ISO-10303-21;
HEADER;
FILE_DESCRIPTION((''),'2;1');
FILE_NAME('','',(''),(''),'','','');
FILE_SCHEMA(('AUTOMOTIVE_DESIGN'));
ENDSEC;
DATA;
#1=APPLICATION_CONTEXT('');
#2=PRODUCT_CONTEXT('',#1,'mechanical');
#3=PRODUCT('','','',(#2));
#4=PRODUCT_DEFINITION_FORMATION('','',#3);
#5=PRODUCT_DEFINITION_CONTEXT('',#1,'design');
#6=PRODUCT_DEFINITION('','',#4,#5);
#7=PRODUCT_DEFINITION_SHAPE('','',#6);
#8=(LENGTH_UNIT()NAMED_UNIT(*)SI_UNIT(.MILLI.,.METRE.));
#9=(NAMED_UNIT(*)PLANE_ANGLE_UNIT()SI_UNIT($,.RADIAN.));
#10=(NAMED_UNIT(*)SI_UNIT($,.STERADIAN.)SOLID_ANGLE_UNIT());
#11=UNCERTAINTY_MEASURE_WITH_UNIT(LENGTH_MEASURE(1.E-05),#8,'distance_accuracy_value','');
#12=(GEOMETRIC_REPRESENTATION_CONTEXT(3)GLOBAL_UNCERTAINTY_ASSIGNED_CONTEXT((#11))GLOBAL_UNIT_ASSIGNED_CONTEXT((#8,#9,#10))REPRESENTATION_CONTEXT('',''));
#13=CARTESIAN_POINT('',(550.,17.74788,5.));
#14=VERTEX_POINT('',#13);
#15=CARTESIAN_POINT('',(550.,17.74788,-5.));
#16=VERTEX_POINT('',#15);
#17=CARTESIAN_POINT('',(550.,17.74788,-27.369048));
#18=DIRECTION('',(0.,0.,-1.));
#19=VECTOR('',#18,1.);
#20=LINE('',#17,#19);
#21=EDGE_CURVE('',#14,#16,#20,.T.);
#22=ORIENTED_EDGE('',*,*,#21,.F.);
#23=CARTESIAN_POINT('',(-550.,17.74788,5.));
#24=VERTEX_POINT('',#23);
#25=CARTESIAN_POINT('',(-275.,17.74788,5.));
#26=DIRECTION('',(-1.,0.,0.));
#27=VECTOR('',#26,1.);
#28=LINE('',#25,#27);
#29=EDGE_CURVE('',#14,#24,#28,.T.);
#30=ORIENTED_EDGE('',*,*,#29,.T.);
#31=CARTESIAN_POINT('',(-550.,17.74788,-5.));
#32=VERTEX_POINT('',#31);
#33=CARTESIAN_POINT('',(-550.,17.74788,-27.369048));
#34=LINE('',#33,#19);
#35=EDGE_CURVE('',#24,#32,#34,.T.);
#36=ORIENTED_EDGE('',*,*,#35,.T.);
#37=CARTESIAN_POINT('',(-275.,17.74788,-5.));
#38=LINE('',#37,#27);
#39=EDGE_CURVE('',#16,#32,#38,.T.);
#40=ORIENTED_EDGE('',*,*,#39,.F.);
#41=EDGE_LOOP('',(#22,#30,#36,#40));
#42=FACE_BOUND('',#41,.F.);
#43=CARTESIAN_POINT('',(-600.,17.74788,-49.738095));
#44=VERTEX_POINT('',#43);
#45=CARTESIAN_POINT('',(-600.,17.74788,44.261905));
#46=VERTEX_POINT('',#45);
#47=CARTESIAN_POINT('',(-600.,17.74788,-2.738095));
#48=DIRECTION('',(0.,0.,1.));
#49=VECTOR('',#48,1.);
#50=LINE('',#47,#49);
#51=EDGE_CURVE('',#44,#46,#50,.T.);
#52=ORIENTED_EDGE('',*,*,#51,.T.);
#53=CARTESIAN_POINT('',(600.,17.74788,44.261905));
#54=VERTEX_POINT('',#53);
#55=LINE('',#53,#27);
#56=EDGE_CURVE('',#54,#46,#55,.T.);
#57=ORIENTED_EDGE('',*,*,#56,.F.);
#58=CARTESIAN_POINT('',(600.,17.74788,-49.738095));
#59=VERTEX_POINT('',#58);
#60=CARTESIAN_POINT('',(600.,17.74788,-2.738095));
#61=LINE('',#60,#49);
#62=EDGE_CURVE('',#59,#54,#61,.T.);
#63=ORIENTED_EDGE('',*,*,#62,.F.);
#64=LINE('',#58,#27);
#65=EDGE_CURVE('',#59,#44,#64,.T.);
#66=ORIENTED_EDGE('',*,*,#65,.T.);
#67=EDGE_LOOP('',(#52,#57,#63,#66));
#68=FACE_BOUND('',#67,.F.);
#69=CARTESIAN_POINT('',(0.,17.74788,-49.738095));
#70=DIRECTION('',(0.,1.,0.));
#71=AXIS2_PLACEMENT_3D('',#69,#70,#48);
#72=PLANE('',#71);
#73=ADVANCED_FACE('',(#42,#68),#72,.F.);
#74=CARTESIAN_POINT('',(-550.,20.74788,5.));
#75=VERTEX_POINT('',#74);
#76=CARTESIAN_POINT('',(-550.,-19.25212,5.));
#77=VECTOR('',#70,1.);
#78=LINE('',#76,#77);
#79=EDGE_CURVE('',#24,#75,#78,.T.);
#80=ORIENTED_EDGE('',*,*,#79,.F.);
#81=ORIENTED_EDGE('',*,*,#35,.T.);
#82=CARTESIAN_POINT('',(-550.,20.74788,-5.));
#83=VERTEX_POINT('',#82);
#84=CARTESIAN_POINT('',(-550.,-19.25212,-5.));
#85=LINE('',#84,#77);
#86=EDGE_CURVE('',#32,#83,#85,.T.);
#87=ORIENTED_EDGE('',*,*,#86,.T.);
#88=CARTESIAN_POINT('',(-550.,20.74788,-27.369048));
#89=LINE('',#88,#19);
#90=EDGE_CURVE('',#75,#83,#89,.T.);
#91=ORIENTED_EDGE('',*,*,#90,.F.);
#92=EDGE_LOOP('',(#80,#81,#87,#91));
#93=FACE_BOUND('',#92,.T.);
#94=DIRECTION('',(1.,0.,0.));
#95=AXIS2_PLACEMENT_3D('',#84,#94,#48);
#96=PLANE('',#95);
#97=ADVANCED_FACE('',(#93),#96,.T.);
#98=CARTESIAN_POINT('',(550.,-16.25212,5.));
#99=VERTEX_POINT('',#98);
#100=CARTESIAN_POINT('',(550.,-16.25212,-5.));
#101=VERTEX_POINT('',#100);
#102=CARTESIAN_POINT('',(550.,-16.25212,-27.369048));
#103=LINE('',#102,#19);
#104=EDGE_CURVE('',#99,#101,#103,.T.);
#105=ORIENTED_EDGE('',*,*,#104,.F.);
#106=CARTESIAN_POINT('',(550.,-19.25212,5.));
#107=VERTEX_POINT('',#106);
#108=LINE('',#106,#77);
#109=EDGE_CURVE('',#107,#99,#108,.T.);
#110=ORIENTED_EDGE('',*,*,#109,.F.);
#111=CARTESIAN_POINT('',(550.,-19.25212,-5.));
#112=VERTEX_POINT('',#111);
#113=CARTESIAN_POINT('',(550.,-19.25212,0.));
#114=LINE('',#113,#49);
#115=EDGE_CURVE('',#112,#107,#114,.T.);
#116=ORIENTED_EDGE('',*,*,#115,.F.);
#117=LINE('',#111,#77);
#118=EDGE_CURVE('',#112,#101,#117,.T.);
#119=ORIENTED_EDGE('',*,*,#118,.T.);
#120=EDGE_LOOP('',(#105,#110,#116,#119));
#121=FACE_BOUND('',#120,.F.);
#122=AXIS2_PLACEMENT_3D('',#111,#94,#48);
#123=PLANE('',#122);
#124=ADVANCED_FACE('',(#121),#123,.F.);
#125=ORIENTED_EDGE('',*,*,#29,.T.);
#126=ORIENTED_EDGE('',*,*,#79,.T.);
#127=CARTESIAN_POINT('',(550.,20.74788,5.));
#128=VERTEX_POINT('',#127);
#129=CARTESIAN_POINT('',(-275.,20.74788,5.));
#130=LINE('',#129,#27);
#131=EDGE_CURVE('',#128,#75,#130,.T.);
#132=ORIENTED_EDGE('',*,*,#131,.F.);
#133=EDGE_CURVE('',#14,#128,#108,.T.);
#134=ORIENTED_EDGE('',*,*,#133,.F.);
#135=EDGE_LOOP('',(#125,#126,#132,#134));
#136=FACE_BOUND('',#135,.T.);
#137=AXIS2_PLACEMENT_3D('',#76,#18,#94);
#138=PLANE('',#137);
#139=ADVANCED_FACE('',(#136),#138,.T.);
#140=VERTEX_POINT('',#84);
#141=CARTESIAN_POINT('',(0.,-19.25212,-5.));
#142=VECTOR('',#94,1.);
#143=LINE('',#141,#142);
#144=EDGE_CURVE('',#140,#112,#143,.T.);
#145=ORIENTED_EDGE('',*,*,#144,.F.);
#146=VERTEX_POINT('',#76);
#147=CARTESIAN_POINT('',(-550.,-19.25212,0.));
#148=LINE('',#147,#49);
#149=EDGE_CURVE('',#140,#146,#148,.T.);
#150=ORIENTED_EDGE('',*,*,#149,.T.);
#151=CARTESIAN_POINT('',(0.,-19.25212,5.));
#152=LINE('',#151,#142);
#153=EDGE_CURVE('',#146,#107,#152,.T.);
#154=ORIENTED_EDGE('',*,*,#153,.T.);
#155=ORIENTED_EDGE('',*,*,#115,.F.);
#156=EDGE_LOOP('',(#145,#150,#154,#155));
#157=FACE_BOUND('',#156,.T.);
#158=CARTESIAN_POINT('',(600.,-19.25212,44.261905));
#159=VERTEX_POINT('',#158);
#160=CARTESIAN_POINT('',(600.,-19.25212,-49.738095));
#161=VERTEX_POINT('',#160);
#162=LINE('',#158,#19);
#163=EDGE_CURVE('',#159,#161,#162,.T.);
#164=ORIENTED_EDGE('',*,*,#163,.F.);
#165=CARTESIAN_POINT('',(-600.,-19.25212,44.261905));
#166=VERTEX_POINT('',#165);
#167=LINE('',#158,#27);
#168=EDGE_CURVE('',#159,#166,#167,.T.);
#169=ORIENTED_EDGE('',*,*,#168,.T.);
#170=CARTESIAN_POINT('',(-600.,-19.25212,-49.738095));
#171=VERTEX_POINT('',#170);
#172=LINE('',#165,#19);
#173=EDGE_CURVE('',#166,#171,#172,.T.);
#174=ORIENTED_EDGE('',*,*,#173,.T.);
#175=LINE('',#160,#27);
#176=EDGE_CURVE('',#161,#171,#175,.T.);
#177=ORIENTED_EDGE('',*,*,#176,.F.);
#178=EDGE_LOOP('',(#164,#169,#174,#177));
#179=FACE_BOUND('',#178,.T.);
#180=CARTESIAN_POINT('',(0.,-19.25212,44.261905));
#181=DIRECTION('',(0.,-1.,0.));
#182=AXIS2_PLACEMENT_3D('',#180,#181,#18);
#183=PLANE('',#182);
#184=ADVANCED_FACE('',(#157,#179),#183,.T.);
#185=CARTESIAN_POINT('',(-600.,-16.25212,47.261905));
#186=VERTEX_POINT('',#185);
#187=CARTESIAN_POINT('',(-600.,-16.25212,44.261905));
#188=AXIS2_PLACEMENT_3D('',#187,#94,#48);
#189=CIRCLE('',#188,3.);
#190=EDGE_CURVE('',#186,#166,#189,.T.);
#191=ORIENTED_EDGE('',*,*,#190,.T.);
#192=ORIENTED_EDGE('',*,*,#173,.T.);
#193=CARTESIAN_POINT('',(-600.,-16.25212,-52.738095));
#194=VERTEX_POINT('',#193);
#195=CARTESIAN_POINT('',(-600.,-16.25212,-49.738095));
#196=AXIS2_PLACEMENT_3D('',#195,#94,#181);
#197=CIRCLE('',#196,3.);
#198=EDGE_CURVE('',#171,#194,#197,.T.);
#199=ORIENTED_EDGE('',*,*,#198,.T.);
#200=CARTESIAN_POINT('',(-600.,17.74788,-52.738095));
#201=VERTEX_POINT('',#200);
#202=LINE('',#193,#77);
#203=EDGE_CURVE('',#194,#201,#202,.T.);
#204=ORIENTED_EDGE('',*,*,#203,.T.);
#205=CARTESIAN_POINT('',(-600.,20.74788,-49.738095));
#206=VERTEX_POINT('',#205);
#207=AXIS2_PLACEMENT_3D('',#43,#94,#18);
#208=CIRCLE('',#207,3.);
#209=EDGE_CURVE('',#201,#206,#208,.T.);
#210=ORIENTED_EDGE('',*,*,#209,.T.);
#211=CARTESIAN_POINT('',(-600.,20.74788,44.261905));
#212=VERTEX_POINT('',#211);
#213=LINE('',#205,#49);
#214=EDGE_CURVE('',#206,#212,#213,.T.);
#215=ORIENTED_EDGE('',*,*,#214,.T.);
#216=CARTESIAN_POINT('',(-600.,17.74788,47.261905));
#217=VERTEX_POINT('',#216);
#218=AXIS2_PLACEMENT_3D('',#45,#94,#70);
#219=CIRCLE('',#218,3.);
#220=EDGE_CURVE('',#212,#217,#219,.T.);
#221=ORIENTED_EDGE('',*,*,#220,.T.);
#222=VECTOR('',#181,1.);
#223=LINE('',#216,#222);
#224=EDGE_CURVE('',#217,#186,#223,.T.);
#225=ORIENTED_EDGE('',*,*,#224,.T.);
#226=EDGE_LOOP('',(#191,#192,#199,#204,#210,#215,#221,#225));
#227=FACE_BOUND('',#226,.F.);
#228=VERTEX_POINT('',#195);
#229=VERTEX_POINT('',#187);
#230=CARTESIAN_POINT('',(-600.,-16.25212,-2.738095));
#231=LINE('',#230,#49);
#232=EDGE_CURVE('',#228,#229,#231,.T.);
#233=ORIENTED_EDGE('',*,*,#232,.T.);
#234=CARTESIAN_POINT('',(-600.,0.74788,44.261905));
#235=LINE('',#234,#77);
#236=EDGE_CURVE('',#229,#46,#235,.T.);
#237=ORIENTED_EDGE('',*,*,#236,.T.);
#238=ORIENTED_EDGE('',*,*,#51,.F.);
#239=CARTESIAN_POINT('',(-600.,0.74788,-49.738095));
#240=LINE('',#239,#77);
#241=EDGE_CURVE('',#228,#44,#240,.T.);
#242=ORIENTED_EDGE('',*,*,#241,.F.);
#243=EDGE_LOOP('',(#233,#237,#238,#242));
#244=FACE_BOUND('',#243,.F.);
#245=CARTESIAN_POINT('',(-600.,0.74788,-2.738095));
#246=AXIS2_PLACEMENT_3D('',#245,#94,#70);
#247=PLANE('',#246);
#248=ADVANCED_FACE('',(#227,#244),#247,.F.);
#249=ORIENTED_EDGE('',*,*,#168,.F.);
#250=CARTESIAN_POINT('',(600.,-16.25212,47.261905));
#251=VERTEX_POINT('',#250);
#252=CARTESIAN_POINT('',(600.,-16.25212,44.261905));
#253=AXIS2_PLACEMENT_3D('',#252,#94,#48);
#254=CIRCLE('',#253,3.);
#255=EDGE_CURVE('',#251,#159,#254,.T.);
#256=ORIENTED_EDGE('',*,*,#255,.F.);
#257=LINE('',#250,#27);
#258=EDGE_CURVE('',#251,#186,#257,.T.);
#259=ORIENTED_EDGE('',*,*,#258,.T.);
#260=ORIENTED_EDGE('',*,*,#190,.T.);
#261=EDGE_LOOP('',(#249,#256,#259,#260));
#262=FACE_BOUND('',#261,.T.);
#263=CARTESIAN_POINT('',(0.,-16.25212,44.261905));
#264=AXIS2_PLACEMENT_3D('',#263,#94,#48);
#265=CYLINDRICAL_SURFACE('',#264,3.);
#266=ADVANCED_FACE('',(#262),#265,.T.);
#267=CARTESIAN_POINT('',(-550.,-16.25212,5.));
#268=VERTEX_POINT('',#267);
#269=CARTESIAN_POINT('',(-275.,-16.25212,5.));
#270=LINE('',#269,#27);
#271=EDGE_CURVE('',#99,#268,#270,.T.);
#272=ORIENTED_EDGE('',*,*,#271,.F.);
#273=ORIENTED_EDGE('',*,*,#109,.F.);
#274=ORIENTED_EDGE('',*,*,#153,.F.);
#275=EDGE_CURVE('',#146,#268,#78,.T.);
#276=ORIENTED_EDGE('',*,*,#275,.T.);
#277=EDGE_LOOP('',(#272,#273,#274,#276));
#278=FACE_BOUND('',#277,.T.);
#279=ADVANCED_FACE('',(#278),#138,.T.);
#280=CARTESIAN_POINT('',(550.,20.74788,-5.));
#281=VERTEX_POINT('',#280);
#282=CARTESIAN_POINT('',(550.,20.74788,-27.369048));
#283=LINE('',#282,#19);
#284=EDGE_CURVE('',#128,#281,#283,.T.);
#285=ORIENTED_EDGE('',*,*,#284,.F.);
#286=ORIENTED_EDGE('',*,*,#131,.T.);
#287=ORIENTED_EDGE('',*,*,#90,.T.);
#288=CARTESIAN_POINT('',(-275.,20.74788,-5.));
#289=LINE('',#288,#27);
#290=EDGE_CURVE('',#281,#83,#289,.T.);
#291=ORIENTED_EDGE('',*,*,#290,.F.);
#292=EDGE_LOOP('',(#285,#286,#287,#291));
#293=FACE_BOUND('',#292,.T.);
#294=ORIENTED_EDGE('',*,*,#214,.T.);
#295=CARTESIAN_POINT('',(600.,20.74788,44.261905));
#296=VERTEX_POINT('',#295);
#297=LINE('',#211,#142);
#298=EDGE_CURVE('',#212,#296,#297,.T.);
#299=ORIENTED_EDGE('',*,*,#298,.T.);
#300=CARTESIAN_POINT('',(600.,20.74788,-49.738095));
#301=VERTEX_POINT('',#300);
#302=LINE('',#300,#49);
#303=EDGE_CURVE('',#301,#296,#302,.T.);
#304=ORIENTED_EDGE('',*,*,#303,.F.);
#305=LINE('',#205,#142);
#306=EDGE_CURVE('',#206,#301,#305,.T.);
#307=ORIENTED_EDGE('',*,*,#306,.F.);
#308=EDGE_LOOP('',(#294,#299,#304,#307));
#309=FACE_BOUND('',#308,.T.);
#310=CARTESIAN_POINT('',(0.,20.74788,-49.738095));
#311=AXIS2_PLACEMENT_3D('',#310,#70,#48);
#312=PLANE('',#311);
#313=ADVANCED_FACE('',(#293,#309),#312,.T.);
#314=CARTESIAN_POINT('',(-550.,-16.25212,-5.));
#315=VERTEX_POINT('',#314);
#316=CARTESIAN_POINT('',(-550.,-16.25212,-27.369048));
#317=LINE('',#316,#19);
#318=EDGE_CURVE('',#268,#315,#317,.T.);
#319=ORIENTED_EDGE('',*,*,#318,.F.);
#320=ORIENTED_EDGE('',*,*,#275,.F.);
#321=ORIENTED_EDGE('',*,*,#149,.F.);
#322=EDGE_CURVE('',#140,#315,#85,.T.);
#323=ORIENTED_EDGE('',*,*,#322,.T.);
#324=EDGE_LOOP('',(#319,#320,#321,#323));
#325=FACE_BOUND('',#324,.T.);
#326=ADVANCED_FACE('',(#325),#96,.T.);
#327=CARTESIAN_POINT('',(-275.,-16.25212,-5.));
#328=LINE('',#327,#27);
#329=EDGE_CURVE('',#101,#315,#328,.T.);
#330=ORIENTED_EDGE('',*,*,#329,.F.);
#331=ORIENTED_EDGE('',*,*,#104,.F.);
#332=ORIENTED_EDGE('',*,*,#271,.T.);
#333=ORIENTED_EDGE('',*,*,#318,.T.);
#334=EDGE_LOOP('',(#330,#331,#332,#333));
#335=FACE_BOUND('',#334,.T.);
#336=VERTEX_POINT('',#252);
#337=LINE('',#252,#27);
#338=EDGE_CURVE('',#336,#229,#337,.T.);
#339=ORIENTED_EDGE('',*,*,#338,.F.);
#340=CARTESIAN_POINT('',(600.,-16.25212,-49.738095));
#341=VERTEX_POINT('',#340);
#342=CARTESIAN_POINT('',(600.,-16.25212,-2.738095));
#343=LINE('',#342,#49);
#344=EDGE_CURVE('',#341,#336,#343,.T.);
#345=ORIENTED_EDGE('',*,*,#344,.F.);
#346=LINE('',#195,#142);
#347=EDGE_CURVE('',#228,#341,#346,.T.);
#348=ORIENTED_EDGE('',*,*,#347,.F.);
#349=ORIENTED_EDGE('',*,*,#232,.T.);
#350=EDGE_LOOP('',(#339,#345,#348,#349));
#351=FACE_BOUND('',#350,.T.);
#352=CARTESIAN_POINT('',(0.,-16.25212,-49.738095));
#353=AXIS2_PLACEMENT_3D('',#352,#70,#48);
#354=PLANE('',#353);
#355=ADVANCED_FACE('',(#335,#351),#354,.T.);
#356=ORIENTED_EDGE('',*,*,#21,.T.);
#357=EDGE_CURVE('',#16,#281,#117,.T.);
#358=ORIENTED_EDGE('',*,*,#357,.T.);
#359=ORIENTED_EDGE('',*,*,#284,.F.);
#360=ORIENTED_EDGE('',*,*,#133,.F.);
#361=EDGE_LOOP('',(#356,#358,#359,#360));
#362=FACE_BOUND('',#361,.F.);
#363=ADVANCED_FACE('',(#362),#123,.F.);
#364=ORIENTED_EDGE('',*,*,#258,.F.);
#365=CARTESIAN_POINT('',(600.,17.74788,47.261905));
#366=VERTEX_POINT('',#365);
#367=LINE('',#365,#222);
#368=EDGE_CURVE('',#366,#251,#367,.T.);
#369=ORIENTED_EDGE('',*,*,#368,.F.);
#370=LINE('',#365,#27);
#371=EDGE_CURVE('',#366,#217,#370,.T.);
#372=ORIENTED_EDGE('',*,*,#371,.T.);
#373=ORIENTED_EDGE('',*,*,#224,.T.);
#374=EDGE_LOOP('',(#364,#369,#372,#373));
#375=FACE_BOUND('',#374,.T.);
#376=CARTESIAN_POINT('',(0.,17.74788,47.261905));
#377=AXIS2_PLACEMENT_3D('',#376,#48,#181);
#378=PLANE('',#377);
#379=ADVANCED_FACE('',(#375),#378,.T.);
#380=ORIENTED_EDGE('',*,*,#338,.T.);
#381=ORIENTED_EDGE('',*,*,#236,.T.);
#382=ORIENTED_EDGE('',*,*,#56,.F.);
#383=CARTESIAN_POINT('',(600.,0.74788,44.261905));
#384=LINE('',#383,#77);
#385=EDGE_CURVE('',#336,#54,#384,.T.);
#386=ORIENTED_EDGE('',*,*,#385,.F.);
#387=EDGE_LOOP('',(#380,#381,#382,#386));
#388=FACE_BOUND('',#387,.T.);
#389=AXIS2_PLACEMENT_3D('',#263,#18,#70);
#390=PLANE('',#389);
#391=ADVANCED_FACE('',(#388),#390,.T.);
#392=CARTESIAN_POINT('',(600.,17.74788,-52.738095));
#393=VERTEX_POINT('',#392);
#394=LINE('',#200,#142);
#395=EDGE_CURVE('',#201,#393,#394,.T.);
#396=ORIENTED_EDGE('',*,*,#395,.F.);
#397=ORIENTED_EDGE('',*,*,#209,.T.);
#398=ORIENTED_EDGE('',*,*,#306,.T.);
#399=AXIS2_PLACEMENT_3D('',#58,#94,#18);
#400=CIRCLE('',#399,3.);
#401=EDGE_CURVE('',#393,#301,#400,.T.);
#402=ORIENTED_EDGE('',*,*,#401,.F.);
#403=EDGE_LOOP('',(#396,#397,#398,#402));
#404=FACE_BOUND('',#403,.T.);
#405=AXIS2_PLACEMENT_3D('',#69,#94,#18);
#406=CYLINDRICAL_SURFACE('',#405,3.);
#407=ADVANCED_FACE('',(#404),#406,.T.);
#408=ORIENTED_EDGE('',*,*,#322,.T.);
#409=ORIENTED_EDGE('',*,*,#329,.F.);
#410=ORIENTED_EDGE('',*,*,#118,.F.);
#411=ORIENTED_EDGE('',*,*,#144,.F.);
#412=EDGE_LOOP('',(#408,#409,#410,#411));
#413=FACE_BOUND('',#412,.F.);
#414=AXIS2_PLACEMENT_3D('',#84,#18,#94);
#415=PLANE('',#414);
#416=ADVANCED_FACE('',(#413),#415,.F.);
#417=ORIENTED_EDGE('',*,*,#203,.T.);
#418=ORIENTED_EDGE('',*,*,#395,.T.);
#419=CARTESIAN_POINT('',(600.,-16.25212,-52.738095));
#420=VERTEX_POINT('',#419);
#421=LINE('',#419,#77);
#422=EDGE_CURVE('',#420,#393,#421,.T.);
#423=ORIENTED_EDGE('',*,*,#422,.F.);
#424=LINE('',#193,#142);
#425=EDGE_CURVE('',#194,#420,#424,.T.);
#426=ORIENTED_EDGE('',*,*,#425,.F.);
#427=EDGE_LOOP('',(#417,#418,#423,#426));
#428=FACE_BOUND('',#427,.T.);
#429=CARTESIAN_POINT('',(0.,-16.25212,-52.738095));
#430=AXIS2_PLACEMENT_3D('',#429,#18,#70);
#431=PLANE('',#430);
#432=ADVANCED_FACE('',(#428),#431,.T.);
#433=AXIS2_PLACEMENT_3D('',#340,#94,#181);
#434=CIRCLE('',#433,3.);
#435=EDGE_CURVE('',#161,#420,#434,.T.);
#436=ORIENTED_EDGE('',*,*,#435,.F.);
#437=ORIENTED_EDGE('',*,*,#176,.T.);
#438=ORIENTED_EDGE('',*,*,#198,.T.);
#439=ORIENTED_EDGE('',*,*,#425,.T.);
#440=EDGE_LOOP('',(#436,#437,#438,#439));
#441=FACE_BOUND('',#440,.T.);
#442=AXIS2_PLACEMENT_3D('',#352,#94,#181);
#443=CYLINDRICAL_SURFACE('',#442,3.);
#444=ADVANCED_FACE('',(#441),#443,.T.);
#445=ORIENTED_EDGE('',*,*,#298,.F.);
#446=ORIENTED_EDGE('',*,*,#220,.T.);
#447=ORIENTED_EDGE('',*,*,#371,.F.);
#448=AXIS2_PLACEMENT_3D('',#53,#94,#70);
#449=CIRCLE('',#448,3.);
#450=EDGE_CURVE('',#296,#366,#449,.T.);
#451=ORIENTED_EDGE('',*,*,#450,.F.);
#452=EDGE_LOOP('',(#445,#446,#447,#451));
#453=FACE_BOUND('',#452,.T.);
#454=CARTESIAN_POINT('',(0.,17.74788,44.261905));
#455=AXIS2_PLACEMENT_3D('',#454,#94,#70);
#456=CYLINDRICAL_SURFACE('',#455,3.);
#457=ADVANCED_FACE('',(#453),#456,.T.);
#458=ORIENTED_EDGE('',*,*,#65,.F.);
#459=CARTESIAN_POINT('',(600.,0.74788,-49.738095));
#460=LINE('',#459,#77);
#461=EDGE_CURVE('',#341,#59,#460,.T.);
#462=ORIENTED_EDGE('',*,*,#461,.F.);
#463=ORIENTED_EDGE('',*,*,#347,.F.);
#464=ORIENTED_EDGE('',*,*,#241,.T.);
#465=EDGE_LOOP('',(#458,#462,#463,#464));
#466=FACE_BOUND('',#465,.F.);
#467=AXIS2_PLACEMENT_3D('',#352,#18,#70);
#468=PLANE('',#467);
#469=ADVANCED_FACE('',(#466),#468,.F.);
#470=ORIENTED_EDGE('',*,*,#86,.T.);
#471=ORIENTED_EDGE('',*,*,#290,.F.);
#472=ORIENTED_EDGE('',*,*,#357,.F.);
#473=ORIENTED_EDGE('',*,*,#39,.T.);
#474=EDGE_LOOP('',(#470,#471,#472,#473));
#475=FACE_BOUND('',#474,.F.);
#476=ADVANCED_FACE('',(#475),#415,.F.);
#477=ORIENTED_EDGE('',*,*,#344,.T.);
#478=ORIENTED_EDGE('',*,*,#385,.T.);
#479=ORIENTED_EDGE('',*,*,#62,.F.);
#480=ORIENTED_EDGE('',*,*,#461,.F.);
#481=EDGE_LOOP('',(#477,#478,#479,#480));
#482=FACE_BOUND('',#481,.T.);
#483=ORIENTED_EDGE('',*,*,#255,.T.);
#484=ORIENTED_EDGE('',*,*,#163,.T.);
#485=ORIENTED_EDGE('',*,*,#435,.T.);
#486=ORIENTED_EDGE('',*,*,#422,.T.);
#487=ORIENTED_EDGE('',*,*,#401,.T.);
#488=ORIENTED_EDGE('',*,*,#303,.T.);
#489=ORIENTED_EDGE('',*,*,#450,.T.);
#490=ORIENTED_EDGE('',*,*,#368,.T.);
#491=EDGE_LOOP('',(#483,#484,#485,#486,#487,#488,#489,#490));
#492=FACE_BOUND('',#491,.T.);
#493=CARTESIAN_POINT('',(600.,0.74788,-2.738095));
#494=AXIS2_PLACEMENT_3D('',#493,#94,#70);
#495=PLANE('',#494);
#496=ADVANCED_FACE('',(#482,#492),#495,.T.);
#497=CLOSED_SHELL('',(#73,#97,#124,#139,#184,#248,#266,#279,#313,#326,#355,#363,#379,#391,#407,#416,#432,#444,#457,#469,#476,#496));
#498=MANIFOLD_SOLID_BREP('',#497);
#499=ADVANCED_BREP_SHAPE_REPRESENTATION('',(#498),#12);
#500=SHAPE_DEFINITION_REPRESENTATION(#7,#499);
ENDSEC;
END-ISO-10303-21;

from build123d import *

# Parameters (mm, degrees)
F1_W     = 34
F1_H     = 94
F2_DEPTH = 600
F5_W     = 1100
F5_H     = 10
F6_DEPTH = 40.001


with BuildPart() as f2:
    # F1 (on Right) → F2 (new body, symmetric)
    with BuildSketch(Plane.YZ):
        with BuildLine():
            ThreePointArc((-19.2521204937, -49.7380952381), (-18.3734408372, -51.8594155817), (-16.2521204937, -52.7380952381))
            Line((-16.2521204937, -52.7380952381), (17.7478795063, -52.7380952381))
            ThreePointArc((17.7478795063, -52.7380952381), (19.8691998499, -51.8594155817), (20.7478795063, -49.7380952381))
            Line((20.7478795063, -49.7380952381), (20.7478795063, 44.2619047619))
            ThreePointArc((20.7478795063, 44.2619047619), (19.8691998499, 46.3832251055), (17.7478795063, 47.2619047619))
            Line((17.7478795063, 47.2619047619), (-16.2521204937, 47.2619047619))
            ThreePointArc((-16.2521204937, 47.2619047619), (-18.3734408372, 46.3832251055), (-19.2521204937, 44.2619047619))
            Line((-19.2521204937, 44.2619047619), (-19.2521204937, -49.7380952381))
        make_face()
        with Locations((0.7478795063, -2.7380952381)):
            Rectangle(F1_W, F1_H, mode=Mode.SUBTRACT)
    extrude(amount=F2_DEPTH, both=True)


with BuildPart() as f3_1:
    # F3: copy of F2
    add(f2.part)


with BuildPart() as f2_1:
    add(f2.part)

    # F5 (on face) → F6 (cut, through all)
    with BuildSketch(Plane.XZ.offset(19.2521204937)):
        Rectangle(F5_W, F5_H)
    extrude(amount=-F6_DEPTH, mode=Mode.SUBTRACT)


solid = f2_1.part
